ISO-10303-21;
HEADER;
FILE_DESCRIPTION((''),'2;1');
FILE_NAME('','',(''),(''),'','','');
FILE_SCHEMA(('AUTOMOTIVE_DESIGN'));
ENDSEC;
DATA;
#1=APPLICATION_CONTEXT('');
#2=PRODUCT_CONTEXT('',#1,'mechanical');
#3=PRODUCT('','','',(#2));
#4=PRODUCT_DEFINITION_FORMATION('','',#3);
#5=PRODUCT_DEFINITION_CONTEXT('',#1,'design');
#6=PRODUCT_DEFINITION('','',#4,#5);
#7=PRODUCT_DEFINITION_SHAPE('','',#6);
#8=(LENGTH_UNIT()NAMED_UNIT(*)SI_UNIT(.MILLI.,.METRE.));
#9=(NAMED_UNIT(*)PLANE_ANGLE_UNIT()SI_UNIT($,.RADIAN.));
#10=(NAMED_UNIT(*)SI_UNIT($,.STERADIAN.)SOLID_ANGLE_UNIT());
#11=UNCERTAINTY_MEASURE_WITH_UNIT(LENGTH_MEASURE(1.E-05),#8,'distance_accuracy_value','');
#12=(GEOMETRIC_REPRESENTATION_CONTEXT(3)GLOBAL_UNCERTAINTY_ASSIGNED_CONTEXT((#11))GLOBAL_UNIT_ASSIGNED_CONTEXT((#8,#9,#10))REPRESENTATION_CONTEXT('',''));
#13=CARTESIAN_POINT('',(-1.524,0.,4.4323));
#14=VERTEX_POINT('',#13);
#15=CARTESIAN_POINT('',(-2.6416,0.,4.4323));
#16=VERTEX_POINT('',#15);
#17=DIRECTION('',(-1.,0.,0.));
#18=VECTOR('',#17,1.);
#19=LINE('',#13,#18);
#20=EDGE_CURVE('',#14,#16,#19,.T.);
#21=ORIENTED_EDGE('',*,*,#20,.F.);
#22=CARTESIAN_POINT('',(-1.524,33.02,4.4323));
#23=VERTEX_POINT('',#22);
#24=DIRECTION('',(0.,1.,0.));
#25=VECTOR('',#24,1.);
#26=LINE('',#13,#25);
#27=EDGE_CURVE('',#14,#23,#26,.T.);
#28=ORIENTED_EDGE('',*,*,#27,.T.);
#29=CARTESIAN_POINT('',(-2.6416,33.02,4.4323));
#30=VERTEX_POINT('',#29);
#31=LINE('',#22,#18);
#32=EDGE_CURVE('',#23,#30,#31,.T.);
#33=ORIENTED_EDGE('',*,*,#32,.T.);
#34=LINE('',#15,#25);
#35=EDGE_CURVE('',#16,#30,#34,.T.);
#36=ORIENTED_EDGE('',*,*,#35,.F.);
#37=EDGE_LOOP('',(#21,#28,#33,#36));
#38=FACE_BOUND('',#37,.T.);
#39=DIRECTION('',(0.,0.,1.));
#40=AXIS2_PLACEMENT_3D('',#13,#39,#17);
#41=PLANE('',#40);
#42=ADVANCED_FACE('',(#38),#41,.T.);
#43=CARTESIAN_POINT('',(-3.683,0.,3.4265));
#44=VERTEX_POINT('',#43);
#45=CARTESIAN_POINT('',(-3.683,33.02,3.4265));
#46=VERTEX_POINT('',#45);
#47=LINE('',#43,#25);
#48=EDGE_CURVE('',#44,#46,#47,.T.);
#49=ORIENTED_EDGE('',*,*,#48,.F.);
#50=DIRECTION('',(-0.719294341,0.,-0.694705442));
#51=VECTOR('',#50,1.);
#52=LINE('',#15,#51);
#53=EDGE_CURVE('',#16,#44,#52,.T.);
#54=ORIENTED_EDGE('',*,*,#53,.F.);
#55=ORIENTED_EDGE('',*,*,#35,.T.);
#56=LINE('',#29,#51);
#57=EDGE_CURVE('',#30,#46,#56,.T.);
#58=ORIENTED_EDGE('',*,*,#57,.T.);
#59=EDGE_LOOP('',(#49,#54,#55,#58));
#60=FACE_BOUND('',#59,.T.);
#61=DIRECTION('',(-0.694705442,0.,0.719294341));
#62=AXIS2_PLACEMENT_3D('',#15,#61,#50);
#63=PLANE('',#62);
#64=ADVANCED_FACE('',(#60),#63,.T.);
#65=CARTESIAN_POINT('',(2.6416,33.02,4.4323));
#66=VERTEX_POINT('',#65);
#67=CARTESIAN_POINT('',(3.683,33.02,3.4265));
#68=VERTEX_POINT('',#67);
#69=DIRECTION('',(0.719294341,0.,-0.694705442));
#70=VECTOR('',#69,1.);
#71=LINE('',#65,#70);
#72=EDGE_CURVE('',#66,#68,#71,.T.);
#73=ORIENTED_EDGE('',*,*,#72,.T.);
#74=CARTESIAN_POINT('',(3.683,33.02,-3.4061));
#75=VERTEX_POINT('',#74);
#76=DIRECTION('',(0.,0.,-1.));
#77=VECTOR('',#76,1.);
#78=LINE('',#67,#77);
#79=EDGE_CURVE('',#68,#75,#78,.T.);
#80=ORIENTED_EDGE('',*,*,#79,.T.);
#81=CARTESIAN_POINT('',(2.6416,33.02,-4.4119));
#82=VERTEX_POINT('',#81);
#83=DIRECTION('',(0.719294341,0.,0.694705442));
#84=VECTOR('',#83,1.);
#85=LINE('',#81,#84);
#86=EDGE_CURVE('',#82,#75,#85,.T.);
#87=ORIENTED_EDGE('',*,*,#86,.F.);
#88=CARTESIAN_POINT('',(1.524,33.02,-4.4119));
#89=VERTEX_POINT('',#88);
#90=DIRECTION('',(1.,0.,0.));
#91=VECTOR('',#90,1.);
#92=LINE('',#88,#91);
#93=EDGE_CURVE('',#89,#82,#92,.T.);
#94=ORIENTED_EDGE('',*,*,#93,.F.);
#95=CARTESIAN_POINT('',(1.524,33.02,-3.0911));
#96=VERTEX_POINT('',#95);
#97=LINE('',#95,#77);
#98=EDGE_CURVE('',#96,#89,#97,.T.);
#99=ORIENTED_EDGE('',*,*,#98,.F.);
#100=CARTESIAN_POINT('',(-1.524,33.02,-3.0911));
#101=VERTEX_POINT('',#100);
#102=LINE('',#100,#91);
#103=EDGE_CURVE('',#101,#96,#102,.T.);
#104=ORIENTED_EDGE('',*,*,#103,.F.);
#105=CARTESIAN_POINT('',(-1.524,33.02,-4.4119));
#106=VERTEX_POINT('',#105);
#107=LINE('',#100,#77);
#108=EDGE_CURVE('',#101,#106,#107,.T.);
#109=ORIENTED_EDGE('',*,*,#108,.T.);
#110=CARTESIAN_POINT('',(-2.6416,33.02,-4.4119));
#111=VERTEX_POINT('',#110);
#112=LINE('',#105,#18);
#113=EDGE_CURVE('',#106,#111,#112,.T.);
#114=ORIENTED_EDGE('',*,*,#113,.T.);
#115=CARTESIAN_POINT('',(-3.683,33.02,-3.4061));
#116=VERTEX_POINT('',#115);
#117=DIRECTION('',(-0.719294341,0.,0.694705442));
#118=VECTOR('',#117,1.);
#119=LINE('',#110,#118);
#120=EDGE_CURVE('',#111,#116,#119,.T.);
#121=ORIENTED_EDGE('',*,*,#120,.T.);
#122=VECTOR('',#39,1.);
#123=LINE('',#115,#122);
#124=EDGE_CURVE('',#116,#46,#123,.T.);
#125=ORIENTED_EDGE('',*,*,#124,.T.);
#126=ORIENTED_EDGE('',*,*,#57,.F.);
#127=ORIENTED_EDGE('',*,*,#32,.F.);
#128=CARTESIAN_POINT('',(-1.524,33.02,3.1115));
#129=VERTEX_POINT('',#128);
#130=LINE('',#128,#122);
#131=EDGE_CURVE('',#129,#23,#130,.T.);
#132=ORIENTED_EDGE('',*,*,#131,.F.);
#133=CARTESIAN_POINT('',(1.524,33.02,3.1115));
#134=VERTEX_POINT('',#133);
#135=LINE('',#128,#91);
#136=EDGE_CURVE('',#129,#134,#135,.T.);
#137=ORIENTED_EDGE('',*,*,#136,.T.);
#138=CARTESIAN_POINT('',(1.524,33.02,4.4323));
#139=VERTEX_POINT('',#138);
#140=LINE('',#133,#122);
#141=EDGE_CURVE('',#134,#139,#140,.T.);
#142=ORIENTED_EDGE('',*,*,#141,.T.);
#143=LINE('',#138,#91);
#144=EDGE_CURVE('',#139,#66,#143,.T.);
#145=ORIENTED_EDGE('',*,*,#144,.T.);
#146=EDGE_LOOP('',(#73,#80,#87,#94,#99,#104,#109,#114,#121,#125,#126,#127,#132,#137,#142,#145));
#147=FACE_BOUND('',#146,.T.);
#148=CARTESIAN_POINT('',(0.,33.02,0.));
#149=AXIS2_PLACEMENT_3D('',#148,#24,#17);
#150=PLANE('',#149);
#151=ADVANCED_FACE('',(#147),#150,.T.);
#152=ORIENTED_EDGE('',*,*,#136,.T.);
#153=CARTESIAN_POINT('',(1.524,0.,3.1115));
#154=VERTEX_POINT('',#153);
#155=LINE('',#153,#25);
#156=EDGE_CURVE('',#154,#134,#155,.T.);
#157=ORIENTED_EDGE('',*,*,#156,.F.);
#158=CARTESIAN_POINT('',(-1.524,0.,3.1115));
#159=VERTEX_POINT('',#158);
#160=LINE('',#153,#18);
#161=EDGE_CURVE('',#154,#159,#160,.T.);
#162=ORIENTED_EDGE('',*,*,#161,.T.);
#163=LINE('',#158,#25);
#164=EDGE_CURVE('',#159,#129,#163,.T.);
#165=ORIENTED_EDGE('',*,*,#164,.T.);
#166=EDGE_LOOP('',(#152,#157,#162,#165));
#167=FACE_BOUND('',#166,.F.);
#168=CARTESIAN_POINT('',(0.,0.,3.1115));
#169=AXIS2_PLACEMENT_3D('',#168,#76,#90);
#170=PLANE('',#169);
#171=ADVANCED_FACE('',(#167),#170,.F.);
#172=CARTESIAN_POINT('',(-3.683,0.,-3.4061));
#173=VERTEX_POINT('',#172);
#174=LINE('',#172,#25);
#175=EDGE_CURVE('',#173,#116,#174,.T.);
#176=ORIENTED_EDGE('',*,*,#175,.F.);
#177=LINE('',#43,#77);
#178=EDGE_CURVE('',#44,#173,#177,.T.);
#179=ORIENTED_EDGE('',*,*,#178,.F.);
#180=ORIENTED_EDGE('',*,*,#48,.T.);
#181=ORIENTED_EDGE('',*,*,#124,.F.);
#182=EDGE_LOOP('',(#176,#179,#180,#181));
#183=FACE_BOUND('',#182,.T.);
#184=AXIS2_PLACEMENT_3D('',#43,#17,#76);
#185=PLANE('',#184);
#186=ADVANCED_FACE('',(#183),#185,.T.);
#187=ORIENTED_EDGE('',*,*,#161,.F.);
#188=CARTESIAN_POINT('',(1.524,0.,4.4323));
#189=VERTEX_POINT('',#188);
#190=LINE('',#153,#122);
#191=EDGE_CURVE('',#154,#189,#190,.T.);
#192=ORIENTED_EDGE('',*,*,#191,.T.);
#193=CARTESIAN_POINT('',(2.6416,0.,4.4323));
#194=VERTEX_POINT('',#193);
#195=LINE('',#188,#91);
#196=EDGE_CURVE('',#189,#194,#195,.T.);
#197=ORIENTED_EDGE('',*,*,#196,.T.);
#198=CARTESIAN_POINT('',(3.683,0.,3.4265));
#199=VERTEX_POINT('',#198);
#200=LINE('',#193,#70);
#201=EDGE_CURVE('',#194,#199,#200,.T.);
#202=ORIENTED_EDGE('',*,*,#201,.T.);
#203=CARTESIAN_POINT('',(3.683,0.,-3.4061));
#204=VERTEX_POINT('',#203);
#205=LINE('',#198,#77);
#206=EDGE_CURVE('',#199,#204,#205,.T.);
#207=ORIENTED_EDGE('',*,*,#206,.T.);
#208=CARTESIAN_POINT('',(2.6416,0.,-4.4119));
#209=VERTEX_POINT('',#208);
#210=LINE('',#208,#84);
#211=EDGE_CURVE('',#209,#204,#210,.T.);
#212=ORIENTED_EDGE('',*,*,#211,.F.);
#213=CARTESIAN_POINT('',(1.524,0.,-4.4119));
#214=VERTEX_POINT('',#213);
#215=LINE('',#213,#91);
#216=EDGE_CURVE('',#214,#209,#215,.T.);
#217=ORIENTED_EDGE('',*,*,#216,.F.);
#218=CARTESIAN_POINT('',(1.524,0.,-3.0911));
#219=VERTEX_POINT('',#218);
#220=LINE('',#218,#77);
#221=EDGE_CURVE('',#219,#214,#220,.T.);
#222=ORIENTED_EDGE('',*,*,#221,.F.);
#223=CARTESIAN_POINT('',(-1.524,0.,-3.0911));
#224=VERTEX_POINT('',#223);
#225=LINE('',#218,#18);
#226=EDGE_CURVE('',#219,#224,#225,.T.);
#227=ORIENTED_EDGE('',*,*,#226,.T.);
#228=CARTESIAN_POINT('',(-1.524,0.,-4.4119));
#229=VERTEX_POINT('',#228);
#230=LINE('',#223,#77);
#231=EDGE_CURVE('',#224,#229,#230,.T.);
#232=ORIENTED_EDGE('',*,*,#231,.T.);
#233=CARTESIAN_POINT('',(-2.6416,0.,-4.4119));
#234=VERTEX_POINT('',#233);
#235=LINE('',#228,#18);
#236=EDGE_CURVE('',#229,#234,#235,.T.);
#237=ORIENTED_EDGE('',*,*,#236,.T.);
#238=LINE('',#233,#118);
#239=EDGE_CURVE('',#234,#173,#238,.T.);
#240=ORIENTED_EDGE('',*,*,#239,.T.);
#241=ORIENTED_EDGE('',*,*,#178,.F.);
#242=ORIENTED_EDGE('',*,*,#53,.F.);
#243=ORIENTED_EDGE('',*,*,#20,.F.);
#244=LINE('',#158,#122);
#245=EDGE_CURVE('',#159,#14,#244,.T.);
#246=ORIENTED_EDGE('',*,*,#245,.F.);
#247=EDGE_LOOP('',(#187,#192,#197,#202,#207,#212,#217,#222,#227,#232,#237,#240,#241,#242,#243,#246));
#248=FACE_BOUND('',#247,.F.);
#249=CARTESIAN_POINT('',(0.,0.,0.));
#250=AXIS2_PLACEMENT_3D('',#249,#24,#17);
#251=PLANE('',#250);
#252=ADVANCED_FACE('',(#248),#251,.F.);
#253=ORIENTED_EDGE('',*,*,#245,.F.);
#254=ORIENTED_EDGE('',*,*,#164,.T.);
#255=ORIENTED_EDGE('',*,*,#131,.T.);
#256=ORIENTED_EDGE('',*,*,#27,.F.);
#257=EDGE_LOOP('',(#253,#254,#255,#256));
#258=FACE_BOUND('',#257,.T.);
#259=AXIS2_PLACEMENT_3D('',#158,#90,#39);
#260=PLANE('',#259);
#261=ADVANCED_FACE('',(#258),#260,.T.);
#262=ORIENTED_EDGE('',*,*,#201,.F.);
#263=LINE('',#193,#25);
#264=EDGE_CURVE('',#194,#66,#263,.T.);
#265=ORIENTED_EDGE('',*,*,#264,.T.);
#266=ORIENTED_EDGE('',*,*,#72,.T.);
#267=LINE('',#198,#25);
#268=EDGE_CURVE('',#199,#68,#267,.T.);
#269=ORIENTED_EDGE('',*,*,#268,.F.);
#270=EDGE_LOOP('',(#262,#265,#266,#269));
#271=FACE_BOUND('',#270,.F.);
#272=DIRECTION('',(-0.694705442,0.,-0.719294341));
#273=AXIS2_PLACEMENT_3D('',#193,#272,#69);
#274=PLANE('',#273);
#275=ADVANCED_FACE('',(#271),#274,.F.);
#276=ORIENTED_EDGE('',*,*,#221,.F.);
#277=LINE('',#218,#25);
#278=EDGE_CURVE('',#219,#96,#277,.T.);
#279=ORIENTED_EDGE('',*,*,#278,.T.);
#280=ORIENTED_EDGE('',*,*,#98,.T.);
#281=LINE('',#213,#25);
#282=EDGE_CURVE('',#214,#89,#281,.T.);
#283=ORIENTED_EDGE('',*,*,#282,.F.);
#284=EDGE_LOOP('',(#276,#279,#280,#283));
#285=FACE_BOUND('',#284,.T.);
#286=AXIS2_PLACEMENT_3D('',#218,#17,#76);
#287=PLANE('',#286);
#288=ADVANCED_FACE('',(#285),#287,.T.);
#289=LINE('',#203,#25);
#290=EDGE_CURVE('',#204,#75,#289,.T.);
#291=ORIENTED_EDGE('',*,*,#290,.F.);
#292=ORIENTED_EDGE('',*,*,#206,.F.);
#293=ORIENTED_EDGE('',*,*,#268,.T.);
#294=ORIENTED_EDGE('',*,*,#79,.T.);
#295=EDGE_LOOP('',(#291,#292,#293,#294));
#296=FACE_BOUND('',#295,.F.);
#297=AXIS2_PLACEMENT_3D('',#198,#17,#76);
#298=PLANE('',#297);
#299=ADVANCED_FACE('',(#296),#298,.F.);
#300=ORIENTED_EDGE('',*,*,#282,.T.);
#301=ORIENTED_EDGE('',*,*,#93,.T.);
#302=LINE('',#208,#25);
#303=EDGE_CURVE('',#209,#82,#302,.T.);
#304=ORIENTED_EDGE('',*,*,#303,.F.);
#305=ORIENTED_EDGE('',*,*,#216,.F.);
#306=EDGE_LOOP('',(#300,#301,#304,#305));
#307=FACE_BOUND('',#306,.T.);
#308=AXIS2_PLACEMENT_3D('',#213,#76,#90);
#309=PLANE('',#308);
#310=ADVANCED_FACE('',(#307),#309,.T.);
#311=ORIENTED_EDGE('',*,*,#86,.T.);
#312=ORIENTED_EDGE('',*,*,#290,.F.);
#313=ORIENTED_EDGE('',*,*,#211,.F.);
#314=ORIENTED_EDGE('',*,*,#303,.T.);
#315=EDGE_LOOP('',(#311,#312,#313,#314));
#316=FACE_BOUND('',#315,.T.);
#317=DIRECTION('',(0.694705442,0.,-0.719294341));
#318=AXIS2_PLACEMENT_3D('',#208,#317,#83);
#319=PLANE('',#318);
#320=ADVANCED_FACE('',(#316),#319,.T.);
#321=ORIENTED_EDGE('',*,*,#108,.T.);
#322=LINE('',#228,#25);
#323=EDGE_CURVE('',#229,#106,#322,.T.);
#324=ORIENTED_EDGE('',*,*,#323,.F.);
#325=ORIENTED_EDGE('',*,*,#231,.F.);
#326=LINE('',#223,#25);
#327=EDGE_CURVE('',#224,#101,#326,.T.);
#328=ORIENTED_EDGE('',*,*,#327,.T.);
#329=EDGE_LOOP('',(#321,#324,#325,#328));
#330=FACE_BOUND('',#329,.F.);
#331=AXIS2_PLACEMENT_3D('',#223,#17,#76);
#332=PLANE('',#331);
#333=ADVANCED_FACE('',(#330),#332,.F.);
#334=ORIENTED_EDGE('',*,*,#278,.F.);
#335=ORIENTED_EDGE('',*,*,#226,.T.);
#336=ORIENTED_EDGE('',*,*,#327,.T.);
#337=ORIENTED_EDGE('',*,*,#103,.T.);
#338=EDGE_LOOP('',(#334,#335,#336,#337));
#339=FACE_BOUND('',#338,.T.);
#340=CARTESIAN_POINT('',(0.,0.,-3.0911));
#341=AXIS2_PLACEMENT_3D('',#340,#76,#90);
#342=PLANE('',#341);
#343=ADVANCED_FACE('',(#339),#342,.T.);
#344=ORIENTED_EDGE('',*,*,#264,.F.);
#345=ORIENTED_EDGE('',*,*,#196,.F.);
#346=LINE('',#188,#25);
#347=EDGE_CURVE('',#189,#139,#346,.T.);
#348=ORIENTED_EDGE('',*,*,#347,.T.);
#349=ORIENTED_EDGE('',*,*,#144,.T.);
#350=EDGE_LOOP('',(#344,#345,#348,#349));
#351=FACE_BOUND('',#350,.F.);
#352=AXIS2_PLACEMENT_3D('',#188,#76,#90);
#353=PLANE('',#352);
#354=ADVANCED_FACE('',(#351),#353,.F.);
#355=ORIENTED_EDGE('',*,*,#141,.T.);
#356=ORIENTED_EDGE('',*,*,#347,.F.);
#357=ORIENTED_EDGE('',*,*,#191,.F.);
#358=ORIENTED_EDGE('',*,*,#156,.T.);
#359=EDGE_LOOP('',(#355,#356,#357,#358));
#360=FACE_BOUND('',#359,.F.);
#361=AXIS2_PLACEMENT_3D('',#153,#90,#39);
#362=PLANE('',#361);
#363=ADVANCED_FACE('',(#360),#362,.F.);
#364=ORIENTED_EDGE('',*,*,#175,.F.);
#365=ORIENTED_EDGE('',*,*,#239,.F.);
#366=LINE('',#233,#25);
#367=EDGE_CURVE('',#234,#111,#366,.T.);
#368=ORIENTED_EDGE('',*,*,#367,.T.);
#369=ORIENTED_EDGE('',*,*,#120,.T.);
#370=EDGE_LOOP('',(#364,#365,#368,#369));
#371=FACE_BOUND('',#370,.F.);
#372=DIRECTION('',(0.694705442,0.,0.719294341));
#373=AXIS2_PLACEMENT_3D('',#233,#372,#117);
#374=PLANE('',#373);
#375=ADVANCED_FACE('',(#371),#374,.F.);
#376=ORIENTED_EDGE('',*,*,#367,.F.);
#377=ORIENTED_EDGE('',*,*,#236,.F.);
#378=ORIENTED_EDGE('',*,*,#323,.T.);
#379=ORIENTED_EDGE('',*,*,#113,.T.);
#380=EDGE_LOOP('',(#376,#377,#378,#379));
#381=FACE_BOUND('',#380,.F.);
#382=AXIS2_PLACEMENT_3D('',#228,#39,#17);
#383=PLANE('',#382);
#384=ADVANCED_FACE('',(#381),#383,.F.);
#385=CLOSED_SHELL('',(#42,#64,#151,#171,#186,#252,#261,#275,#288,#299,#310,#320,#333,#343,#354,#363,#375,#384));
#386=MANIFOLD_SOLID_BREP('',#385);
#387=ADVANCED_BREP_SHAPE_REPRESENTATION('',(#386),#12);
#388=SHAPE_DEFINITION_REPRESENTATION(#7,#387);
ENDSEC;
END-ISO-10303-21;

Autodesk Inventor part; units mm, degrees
ref_plane "YZ Plane" through (0, 0, 0) normal (1, 0, 0) x (0, 1, 0)
ref_plane "XZ Plane" through (0, 0, 0) normal (0, 1, 0) x (-1, 0, 0)
ref_plane "XY Plane" through (0, 0, 0) normal (0, 0, 1) x (1, 0, 0)
sketch "Sketch1" plane through (0, 0, 0) normal (0, 1, 0) x (-1, 0, 0)
  line L0 (0, 0) -> (0, 3.1115)
  line L1 (0, 3.1115) -> (1.524, 3.1115)
  line L2 (1.524, 3.1115) -> (1.524, 4.4323)
  line L3 (1.524, 4.4323) -> (2.6416, 4.4323)
  line L4 (2.6416, 4.4323) -> (3.683, 3.4265)
  line L5 (3.683, 3.4265) -> (3.683, 0.0102)
  line L6 (7.9375, 0.0102) -> (-3.8699, 0.0102) construction
  line L7 (0, 0.0204) -> (0, -3.0911)
  line L8 (0, -3.0911) -> (1.524, -3.0911)
  line L9 (1.524, -3.0911) -> (1.524, -4.4119)
  line L10 (1.524, -4.4119) -> (2.6416, -4.4119)
  line L11 (2.6416, -4.4119) -> (3.683, -3.4061)
  line L12 (3.683, -3.4061) -> (3.683, 0.0102)
  line L13 (3.683, 3.4265) -> (3.683, -3.4061)
  line L14 (0, -3.0911) -> (0, 3.1115)
  line L15 (0, 3.1115) -> (-1.524, 3.1115)
  line L16 (-1.524, 3.1115) -> (-1.524, 4.4323)
  line L17 (-1.524, 4.4323) -> (-2.6416, 4.4323)
  line L18 (-2.6416, 4.4323) -> (-3.683, 3.4265)
  line L19 (-2.6416, -4.4119) -> (-3.683, -3.4061)
  line L20 (-1.524, -4.4119) -> (-2.6416, -4.4119)
  line L21 (-1.524, -3.0911) -> (-1.524, -4.4119)
  line L22 (0, -3.0911) -> (-1.524, -3.0911)
  line L23 (-3.683, 3.4265) -> (-3.683, -3.4061)
  dimension "d1" = 3.1115
  dimension "d2" = 1.524
  dimension "d3" = 1.3208
  dimension "d4" = 1.1176
  dimension "d5" = 1.4478
  dimension "d6" = 3.4163
  dimension "d7" = 3.683
extrude "Extrusion1" add sketch "Sketch1" along normal blind 33.02
properties part number "double slider"
